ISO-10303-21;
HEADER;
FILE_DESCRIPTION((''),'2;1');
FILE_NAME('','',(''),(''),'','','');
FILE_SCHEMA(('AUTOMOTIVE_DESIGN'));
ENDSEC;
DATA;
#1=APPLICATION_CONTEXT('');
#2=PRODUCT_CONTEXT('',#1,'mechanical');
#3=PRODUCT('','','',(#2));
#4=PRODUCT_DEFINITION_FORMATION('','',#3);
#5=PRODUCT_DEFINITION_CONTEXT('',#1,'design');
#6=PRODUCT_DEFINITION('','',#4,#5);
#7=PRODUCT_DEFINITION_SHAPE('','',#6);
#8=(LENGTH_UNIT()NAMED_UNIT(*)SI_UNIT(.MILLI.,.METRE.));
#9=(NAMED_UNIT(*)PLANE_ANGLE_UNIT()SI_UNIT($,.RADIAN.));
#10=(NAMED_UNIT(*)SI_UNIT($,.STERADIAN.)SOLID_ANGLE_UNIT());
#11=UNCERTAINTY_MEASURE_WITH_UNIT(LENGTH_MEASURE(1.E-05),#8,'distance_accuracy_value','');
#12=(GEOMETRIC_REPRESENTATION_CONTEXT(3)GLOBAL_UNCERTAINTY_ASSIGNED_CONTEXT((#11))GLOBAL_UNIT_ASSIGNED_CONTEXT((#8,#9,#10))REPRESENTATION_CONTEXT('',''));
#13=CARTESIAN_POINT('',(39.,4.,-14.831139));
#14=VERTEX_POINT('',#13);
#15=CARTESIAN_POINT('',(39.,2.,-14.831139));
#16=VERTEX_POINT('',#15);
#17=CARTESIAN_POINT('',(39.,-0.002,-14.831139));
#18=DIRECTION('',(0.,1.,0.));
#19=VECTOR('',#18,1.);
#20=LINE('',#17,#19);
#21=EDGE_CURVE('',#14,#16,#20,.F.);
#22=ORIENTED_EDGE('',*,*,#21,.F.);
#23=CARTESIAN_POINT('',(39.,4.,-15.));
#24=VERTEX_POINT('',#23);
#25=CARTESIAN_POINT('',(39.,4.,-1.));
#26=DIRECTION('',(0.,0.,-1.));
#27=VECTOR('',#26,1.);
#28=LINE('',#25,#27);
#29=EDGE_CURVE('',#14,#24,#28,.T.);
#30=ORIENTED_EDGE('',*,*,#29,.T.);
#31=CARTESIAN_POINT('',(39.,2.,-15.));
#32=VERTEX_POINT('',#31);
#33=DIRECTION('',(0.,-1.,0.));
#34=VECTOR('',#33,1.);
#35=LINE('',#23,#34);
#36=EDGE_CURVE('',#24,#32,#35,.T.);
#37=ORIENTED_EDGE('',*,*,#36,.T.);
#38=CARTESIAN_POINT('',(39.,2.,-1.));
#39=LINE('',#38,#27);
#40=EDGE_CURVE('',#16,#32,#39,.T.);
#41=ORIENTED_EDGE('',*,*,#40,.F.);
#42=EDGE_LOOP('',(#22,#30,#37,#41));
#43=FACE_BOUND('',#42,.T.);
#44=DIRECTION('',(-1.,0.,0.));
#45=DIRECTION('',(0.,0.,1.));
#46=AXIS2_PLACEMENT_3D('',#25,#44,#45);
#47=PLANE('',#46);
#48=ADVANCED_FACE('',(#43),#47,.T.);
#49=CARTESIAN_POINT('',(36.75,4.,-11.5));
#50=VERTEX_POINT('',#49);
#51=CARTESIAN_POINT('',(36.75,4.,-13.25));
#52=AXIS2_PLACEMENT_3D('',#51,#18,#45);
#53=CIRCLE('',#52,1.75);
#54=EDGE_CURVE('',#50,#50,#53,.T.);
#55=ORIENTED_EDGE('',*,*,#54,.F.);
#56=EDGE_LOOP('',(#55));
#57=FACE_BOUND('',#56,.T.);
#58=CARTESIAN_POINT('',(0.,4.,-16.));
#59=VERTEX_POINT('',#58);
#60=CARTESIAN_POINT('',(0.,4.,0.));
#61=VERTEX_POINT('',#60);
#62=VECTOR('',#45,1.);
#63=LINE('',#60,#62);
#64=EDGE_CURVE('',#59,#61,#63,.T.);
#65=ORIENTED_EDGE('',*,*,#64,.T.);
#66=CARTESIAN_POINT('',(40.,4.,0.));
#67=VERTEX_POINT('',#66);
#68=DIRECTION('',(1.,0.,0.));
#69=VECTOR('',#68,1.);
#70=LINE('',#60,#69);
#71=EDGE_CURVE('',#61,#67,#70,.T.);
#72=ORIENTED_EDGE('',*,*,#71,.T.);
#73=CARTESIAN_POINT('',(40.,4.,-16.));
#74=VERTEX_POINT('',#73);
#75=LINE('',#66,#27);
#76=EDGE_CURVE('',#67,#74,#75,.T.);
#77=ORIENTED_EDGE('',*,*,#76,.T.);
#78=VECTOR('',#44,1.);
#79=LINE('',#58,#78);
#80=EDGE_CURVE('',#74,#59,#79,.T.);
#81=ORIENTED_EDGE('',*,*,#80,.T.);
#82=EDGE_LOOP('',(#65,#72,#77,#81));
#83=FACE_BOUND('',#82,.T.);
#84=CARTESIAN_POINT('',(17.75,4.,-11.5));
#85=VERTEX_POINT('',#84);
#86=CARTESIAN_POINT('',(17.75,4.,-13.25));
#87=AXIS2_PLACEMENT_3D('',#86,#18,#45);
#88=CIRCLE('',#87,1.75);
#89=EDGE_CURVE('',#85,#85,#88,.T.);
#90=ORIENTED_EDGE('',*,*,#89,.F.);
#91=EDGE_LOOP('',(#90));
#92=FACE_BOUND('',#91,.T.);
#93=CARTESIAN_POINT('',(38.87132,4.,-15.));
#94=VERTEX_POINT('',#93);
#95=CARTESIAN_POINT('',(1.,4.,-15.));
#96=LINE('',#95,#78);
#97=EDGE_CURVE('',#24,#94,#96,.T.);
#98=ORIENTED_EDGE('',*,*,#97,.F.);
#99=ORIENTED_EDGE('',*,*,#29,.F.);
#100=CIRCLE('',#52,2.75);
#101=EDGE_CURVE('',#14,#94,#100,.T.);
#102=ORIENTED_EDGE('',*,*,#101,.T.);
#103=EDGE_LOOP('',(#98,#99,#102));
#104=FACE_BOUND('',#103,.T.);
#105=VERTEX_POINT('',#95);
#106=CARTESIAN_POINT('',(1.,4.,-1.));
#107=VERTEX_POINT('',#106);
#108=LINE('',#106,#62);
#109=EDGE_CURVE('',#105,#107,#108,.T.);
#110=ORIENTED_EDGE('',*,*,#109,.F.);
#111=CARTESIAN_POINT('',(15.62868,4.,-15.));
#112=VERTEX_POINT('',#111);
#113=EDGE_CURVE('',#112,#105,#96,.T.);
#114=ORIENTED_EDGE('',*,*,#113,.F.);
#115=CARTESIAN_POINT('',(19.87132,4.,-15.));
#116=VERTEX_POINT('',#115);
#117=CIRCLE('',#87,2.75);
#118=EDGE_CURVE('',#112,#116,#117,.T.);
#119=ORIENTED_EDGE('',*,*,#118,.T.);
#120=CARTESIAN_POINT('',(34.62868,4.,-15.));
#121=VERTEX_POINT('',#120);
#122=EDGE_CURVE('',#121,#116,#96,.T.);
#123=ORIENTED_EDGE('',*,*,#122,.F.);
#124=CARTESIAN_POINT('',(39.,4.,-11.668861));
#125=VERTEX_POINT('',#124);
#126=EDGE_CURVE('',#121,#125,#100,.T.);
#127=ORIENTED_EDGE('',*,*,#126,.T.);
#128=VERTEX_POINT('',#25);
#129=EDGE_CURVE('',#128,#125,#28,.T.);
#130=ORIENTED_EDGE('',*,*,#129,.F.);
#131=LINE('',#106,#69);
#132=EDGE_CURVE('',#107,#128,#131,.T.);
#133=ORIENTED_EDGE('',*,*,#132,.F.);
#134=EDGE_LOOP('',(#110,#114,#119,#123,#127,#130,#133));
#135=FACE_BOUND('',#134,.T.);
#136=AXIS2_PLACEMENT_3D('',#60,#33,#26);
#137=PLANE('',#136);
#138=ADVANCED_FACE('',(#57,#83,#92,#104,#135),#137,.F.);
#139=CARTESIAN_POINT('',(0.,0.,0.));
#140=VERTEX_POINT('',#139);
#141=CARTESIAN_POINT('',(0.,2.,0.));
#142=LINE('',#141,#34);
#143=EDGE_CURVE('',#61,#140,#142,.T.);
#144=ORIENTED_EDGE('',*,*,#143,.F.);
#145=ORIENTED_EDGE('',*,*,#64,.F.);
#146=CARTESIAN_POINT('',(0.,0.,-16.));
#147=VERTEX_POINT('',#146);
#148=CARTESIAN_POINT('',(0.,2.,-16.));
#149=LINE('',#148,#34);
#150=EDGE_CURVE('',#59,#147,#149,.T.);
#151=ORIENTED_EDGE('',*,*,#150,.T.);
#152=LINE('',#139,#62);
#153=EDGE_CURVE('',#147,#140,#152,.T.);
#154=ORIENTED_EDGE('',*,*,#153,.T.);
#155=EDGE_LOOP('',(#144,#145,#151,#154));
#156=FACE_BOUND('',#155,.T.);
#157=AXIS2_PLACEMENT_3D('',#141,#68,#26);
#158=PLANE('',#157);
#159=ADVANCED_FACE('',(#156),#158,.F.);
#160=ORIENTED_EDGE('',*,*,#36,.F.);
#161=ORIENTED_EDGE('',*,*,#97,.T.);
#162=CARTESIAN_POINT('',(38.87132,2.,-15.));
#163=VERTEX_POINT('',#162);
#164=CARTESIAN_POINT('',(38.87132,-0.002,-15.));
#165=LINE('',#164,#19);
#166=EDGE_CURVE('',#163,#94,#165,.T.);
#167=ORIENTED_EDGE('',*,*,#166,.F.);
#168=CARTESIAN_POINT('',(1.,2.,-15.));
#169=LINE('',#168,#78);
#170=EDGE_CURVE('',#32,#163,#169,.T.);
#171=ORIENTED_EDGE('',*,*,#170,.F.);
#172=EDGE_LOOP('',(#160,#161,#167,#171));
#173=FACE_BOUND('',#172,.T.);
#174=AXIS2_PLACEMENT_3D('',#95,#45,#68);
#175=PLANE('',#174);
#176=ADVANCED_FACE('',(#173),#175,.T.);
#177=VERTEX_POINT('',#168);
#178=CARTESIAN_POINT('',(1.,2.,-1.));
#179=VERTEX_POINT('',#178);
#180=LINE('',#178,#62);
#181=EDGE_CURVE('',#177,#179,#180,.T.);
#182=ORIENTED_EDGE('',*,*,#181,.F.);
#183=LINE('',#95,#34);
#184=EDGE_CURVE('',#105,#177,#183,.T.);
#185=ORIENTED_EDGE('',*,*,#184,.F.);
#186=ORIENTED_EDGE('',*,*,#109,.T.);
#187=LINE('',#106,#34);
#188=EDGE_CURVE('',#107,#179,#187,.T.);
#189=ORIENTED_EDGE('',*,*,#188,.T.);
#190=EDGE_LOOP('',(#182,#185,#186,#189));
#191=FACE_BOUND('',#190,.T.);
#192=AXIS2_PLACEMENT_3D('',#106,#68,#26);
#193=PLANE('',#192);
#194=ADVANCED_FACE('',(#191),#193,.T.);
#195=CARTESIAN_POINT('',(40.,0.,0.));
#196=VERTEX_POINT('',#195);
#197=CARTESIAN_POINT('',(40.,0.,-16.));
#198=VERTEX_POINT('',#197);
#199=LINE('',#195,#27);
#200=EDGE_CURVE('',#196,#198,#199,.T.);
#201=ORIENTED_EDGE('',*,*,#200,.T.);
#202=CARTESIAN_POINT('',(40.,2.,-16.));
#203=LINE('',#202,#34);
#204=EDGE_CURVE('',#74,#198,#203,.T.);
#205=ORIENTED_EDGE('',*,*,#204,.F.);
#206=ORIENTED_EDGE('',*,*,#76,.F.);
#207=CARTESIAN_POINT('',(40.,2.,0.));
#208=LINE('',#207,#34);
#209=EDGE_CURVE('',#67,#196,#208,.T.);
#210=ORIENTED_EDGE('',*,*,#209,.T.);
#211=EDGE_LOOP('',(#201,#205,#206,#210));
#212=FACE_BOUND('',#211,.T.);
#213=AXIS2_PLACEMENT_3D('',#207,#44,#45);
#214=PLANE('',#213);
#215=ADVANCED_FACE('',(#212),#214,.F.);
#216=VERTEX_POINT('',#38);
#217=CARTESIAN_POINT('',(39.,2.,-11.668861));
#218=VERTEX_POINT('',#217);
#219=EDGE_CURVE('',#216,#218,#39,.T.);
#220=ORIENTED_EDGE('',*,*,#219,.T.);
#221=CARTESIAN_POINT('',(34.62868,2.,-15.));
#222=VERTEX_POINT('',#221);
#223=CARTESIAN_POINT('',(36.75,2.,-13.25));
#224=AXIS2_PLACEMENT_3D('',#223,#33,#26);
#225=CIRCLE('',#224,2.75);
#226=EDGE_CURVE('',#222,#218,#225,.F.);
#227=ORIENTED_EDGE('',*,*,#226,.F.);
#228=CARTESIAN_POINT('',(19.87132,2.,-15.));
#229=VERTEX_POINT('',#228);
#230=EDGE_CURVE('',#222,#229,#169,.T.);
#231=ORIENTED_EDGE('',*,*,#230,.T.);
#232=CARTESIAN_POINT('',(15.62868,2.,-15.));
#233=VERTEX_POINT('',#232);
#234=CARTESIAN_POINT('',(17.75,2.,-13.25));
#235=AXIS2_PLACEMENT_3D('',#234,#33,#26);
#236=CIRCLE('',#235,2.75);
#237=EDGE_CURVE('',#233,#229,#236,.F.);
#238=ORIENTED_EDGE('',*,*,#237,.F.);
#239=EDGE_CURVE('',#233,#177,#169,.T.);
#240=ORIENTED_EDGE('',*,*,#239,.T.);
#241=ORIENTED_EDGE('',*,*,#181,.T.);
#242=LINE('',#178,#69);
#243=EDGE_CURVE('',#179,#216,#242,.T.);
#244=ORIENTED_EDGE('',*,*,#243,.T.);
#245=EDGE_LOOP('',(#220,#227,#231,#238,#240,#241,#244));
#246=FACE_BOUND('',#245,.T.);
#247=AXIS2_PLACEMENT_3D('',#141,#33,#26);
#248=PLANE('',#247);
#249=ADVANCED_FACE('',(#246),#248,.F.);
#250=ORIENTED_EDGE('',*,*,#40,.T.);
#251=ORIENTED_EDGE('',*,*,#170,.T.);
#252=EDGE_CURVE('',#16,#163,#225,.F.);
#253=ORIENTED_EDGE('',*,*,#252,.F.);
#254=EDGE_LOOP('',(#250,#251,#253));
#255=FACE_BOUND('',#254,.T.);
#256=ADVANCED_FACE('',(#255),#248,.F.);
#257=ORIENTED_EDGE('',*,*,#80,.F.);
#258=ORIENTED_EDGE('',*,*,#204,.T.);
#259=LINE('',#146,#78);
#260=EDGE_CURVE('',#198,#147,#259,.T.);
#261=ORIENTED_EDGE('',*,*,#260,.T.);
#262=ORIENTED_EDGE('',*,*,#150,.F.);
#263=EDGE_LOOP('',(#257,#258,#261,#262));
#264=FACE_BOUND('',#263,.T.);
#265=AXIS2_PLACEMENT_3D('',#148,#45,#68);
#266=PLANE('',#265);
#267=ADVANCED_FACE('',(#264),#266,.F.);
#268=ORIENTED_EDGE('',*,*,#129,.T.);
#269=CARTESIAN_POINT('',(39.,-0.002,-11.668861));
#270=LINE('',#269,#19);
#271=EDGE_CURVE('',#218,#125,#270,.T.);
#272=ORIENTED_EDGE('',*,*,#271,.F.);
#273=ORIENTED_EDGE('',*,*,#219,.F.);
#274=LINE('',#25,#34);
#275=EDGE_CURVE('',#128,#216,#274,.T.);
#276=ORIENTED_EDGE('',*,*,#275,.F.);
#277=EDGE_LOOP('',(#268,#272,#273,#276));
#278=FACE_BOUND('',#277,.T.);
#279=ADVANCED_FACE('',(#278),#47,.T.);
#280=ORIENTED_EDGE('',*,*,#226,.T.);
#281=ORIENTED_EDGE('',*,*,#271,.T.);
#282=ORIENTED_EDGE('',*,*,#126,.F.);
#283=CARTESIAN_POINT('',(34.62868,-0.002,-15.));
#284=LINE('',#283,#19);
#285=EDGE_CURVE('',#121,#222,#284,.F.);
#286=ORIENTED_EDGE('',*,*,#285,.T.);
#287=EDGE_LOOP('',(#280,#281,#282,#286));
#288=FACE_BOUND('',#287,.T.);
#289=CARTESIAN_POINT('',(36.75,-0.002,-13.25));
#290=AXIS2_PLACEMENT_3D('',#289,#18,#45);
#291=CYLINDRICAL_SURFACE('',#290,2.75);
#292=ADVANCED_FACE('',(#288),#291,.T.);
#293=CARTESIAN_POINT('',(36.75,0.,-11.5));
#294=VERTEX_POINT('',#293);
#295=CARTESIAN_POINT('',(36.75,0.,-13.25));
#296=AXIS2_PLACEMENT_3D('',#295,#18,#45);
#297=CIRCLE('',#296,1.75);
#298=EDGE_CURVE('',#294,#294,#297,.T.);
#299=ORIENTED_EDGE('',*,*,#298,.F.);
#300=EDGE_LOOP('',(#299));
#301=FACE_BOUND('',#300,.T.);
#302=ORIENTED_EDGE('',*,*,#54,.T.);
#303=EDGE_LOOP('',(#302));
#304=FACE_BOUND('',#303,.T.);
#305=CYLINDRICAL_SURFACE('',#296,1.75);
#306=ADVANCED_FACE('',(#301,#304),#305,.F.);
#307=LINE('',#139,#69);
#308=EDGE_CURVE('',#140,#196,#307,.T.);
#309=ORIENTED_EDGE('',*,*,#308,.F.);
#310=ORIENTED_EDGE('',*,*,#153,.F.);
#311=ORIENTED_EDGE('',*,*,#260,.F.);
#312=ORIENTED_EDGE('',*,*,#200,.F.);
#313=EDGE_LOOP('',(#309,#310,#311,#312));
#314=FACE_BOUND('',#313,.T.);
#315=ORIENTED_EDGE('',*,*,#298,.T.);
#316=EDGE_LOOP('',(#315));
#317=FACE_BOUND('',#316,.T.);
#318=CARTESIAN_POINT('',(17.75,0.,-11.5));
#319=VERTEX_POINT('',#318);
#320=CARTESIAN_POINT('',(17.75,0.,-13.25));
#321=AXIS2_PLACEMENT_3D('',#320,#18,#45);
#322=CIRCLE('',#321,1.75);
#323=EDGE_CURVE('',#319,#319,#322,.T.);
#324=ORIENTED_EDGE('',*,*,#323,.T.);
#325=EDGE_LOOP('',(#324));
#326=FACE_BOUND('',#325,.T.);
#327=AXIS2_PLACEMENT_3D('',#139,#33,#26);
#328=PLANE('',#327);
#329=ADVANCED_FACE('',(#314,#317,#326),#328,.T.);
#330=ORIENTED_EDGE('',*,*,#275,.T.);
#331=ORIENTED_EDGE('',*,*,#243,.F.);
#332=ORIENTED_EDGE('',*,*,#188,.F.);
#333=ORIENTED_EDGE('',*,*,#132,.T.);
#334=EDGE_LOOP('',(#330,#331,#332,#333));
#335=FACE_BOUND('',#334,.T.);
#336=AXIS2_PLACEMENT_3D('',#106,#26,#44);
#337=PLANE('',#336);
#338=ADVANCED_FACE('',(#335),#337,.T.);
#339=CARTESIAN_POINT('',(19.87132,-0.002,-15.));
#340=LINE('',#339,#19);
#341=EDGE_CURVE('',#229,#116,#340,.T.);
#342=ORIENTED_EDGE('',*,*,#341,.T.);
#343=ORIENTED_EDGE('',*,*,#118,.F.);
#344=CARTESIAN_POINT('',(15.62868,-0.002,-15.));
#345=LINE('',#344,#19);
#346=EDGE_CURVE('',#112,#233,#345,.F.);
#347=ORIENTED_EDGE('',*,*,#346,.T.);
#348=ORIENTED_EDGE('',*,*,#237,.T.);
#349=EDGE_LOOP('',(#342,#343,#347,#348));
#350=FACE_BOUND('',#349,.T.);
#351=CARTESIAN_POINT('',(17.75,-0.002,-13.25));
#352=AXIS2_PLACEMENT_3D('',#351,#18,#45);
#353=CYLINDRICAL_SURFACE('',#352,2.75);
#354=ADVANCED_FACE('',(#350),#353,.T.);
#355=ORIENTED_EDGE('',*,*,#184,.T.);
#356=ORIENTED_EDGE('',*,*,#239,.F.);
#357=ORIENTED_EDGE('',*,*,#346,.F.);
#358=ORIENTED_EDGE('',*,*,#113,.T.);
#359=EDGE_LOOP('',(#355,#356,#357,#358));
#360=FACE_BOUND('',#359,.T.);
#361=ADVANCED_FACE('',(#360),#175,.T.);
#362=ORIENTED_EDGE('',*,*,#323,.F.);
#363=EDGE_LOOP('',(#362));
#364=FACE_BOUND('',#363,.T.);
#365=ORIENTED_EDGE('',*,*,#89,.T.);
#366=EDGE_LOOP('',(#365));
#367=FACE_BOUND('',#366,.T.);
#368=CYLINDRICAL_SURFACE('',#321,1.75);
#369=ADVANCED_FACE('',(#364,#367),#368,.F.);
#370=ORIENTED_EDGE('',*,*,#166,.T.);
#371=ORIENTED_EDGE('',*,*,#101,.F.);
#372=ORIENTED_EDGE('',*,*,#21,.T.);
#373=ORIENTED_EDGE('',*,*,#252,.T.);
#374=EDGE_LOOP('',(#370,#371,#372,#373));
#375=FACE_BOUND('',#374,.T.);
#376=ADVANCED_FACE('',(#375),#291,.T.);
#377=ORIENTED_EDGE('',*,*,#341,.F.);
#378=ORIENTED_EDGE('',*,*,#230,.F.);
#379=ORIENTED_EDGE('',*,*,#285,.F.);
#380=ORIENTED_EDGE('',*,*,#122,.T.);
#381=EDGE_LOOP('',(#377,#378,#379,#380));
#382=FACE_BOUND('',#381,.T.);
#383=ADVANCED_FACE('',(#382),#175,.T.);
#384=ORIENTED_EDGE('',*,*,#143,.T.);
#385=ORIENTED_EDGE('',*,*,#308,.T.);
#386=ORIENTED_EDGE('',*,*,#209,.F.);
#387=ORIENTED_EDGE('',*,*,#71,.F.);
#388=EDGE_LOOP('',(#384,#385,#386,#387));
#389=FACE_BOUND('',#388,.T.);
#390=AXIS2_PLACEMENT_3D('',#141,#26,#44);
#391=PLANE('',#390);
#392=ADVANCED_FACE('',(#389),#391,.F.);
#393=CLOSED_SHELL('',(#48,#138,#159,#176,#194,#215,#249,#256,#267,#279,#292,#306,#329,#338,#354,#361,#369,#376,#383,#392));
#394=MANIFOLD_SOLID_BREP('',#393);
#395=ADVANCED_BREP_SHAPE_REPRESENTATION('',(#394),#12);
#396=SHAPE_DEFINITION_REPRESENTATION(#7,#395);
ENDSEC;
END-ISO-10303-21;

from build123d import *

# Parameters (mm, degrees)
SKETCH1_W           = 40
SKETCH1_H           = 16
BOSS_EXTRUDE1_DEPTH = 2
SKETCH2_W           = 40
SKETCH2_H           = 16
SKETCH2_W_2         = 38
SKETCH2_H_2         = 14
BOSS_EXTRUDE2_DEPTH = 2
BOSS_EXTRUDE5_REACH = 45.267
SKETCH3_R           = 2.75
SKETCH4_R           = 1.75
CUT_EXTRUDE1_DEPTH  = 44.266615306


with BuildPart() as part:
    # Sketch1 → Boss-Extrude1 (new body)
    with BuildSketch(Plane(origin=(0, 0, 0), x_dir=(1, 0, 0), z_dir=(0, 1, 0))):
        with Locations((20, 8)):
            Rectangle(SKETCH1_W, SKETCH1_H)
    extrude(amount=BOSS_EXTRUDE1_DEPTH)

    # Sketch2 → Boss-Extrude2 (add)
    with BuildSketch(Plane(origin=(0, 2, 0), x_dir=(1, 0, 0), z_dir=(0, 1, 0))):
        with Locations((20, 8)):
            Rectangle(SKETCH2_W, SKETCH2_H)
        with Locations((20, 8)):
            Rectangle(SKETCH2_W_2, SKETCH2_H_2, mode=Mode.SUBTRACT)
    extrude(amount=BOSS_EXTRUDE2_DEPTH)

    # Sketch3 → Boss-Extrude5 (add, up to next)
    with BuildSketch(Plane(origin=(0, 4, 0), x_dir=(1, 0, 0), z_dir=(0, 1, 0)), mode=Mode.PRIVATE) as boss_extrude5_sk1:
        with Locations((17.75, 13.25)):
            Circle(SKETCH3_R)
    boss_extrude5_tool1 = extrude(boss_extrude5_sk1.sketch, amount=-BOSS_EXTRUDE5_REACH, mode=Mode.PRIVATE) - part.part
    # Sketch3 → Boss-Extrude5 (add, up to next)
    with BuildSketch(Plane(origin=(0, 4, 0), x_dir=(1, 0, 0), z_dir=(0, 1, 0)), mode=Mode.PRIVATE) as boss_extrude5_sk2:
        with Locations((36.75, 13.25)):
            Circle(SKETCH3_R)
    boss_extrude5_tool2 = extrude(boss_extrude5_sk2.sketch, amount=-BOSS_EXTRUDE5_REACH, mode=Mode.PRIVATE) - part.part
    add(boss_extrude5_tool1.solids().sort_by_distance((17.75, 4, -13.25))[0])
    add(boss_extrude5_tool2.solids().sort_by_distance((36.75, 4, -13.25))[0])

    # Sketch4 → Cut-Extrude1 (cut, through all)
    with BuildSketch(Plane(origin=(0, 4, 0), x_dir=(1, 0, 0), z_dir=(0, 1, 0))):
        with Locations(Location((17.75, 13.25, 0), (0, 0, 270))):
            Circle(SKETCH4_R)
        with Locations(Location((36.75, 13.25, 0), (0, 0, 270))):
            Circle(SKETCH4_R)
    extrude(amount=-CUT_EXTRUDE1_DEPTH, mode=Mode.SUBTRACT)


solid = part.part
